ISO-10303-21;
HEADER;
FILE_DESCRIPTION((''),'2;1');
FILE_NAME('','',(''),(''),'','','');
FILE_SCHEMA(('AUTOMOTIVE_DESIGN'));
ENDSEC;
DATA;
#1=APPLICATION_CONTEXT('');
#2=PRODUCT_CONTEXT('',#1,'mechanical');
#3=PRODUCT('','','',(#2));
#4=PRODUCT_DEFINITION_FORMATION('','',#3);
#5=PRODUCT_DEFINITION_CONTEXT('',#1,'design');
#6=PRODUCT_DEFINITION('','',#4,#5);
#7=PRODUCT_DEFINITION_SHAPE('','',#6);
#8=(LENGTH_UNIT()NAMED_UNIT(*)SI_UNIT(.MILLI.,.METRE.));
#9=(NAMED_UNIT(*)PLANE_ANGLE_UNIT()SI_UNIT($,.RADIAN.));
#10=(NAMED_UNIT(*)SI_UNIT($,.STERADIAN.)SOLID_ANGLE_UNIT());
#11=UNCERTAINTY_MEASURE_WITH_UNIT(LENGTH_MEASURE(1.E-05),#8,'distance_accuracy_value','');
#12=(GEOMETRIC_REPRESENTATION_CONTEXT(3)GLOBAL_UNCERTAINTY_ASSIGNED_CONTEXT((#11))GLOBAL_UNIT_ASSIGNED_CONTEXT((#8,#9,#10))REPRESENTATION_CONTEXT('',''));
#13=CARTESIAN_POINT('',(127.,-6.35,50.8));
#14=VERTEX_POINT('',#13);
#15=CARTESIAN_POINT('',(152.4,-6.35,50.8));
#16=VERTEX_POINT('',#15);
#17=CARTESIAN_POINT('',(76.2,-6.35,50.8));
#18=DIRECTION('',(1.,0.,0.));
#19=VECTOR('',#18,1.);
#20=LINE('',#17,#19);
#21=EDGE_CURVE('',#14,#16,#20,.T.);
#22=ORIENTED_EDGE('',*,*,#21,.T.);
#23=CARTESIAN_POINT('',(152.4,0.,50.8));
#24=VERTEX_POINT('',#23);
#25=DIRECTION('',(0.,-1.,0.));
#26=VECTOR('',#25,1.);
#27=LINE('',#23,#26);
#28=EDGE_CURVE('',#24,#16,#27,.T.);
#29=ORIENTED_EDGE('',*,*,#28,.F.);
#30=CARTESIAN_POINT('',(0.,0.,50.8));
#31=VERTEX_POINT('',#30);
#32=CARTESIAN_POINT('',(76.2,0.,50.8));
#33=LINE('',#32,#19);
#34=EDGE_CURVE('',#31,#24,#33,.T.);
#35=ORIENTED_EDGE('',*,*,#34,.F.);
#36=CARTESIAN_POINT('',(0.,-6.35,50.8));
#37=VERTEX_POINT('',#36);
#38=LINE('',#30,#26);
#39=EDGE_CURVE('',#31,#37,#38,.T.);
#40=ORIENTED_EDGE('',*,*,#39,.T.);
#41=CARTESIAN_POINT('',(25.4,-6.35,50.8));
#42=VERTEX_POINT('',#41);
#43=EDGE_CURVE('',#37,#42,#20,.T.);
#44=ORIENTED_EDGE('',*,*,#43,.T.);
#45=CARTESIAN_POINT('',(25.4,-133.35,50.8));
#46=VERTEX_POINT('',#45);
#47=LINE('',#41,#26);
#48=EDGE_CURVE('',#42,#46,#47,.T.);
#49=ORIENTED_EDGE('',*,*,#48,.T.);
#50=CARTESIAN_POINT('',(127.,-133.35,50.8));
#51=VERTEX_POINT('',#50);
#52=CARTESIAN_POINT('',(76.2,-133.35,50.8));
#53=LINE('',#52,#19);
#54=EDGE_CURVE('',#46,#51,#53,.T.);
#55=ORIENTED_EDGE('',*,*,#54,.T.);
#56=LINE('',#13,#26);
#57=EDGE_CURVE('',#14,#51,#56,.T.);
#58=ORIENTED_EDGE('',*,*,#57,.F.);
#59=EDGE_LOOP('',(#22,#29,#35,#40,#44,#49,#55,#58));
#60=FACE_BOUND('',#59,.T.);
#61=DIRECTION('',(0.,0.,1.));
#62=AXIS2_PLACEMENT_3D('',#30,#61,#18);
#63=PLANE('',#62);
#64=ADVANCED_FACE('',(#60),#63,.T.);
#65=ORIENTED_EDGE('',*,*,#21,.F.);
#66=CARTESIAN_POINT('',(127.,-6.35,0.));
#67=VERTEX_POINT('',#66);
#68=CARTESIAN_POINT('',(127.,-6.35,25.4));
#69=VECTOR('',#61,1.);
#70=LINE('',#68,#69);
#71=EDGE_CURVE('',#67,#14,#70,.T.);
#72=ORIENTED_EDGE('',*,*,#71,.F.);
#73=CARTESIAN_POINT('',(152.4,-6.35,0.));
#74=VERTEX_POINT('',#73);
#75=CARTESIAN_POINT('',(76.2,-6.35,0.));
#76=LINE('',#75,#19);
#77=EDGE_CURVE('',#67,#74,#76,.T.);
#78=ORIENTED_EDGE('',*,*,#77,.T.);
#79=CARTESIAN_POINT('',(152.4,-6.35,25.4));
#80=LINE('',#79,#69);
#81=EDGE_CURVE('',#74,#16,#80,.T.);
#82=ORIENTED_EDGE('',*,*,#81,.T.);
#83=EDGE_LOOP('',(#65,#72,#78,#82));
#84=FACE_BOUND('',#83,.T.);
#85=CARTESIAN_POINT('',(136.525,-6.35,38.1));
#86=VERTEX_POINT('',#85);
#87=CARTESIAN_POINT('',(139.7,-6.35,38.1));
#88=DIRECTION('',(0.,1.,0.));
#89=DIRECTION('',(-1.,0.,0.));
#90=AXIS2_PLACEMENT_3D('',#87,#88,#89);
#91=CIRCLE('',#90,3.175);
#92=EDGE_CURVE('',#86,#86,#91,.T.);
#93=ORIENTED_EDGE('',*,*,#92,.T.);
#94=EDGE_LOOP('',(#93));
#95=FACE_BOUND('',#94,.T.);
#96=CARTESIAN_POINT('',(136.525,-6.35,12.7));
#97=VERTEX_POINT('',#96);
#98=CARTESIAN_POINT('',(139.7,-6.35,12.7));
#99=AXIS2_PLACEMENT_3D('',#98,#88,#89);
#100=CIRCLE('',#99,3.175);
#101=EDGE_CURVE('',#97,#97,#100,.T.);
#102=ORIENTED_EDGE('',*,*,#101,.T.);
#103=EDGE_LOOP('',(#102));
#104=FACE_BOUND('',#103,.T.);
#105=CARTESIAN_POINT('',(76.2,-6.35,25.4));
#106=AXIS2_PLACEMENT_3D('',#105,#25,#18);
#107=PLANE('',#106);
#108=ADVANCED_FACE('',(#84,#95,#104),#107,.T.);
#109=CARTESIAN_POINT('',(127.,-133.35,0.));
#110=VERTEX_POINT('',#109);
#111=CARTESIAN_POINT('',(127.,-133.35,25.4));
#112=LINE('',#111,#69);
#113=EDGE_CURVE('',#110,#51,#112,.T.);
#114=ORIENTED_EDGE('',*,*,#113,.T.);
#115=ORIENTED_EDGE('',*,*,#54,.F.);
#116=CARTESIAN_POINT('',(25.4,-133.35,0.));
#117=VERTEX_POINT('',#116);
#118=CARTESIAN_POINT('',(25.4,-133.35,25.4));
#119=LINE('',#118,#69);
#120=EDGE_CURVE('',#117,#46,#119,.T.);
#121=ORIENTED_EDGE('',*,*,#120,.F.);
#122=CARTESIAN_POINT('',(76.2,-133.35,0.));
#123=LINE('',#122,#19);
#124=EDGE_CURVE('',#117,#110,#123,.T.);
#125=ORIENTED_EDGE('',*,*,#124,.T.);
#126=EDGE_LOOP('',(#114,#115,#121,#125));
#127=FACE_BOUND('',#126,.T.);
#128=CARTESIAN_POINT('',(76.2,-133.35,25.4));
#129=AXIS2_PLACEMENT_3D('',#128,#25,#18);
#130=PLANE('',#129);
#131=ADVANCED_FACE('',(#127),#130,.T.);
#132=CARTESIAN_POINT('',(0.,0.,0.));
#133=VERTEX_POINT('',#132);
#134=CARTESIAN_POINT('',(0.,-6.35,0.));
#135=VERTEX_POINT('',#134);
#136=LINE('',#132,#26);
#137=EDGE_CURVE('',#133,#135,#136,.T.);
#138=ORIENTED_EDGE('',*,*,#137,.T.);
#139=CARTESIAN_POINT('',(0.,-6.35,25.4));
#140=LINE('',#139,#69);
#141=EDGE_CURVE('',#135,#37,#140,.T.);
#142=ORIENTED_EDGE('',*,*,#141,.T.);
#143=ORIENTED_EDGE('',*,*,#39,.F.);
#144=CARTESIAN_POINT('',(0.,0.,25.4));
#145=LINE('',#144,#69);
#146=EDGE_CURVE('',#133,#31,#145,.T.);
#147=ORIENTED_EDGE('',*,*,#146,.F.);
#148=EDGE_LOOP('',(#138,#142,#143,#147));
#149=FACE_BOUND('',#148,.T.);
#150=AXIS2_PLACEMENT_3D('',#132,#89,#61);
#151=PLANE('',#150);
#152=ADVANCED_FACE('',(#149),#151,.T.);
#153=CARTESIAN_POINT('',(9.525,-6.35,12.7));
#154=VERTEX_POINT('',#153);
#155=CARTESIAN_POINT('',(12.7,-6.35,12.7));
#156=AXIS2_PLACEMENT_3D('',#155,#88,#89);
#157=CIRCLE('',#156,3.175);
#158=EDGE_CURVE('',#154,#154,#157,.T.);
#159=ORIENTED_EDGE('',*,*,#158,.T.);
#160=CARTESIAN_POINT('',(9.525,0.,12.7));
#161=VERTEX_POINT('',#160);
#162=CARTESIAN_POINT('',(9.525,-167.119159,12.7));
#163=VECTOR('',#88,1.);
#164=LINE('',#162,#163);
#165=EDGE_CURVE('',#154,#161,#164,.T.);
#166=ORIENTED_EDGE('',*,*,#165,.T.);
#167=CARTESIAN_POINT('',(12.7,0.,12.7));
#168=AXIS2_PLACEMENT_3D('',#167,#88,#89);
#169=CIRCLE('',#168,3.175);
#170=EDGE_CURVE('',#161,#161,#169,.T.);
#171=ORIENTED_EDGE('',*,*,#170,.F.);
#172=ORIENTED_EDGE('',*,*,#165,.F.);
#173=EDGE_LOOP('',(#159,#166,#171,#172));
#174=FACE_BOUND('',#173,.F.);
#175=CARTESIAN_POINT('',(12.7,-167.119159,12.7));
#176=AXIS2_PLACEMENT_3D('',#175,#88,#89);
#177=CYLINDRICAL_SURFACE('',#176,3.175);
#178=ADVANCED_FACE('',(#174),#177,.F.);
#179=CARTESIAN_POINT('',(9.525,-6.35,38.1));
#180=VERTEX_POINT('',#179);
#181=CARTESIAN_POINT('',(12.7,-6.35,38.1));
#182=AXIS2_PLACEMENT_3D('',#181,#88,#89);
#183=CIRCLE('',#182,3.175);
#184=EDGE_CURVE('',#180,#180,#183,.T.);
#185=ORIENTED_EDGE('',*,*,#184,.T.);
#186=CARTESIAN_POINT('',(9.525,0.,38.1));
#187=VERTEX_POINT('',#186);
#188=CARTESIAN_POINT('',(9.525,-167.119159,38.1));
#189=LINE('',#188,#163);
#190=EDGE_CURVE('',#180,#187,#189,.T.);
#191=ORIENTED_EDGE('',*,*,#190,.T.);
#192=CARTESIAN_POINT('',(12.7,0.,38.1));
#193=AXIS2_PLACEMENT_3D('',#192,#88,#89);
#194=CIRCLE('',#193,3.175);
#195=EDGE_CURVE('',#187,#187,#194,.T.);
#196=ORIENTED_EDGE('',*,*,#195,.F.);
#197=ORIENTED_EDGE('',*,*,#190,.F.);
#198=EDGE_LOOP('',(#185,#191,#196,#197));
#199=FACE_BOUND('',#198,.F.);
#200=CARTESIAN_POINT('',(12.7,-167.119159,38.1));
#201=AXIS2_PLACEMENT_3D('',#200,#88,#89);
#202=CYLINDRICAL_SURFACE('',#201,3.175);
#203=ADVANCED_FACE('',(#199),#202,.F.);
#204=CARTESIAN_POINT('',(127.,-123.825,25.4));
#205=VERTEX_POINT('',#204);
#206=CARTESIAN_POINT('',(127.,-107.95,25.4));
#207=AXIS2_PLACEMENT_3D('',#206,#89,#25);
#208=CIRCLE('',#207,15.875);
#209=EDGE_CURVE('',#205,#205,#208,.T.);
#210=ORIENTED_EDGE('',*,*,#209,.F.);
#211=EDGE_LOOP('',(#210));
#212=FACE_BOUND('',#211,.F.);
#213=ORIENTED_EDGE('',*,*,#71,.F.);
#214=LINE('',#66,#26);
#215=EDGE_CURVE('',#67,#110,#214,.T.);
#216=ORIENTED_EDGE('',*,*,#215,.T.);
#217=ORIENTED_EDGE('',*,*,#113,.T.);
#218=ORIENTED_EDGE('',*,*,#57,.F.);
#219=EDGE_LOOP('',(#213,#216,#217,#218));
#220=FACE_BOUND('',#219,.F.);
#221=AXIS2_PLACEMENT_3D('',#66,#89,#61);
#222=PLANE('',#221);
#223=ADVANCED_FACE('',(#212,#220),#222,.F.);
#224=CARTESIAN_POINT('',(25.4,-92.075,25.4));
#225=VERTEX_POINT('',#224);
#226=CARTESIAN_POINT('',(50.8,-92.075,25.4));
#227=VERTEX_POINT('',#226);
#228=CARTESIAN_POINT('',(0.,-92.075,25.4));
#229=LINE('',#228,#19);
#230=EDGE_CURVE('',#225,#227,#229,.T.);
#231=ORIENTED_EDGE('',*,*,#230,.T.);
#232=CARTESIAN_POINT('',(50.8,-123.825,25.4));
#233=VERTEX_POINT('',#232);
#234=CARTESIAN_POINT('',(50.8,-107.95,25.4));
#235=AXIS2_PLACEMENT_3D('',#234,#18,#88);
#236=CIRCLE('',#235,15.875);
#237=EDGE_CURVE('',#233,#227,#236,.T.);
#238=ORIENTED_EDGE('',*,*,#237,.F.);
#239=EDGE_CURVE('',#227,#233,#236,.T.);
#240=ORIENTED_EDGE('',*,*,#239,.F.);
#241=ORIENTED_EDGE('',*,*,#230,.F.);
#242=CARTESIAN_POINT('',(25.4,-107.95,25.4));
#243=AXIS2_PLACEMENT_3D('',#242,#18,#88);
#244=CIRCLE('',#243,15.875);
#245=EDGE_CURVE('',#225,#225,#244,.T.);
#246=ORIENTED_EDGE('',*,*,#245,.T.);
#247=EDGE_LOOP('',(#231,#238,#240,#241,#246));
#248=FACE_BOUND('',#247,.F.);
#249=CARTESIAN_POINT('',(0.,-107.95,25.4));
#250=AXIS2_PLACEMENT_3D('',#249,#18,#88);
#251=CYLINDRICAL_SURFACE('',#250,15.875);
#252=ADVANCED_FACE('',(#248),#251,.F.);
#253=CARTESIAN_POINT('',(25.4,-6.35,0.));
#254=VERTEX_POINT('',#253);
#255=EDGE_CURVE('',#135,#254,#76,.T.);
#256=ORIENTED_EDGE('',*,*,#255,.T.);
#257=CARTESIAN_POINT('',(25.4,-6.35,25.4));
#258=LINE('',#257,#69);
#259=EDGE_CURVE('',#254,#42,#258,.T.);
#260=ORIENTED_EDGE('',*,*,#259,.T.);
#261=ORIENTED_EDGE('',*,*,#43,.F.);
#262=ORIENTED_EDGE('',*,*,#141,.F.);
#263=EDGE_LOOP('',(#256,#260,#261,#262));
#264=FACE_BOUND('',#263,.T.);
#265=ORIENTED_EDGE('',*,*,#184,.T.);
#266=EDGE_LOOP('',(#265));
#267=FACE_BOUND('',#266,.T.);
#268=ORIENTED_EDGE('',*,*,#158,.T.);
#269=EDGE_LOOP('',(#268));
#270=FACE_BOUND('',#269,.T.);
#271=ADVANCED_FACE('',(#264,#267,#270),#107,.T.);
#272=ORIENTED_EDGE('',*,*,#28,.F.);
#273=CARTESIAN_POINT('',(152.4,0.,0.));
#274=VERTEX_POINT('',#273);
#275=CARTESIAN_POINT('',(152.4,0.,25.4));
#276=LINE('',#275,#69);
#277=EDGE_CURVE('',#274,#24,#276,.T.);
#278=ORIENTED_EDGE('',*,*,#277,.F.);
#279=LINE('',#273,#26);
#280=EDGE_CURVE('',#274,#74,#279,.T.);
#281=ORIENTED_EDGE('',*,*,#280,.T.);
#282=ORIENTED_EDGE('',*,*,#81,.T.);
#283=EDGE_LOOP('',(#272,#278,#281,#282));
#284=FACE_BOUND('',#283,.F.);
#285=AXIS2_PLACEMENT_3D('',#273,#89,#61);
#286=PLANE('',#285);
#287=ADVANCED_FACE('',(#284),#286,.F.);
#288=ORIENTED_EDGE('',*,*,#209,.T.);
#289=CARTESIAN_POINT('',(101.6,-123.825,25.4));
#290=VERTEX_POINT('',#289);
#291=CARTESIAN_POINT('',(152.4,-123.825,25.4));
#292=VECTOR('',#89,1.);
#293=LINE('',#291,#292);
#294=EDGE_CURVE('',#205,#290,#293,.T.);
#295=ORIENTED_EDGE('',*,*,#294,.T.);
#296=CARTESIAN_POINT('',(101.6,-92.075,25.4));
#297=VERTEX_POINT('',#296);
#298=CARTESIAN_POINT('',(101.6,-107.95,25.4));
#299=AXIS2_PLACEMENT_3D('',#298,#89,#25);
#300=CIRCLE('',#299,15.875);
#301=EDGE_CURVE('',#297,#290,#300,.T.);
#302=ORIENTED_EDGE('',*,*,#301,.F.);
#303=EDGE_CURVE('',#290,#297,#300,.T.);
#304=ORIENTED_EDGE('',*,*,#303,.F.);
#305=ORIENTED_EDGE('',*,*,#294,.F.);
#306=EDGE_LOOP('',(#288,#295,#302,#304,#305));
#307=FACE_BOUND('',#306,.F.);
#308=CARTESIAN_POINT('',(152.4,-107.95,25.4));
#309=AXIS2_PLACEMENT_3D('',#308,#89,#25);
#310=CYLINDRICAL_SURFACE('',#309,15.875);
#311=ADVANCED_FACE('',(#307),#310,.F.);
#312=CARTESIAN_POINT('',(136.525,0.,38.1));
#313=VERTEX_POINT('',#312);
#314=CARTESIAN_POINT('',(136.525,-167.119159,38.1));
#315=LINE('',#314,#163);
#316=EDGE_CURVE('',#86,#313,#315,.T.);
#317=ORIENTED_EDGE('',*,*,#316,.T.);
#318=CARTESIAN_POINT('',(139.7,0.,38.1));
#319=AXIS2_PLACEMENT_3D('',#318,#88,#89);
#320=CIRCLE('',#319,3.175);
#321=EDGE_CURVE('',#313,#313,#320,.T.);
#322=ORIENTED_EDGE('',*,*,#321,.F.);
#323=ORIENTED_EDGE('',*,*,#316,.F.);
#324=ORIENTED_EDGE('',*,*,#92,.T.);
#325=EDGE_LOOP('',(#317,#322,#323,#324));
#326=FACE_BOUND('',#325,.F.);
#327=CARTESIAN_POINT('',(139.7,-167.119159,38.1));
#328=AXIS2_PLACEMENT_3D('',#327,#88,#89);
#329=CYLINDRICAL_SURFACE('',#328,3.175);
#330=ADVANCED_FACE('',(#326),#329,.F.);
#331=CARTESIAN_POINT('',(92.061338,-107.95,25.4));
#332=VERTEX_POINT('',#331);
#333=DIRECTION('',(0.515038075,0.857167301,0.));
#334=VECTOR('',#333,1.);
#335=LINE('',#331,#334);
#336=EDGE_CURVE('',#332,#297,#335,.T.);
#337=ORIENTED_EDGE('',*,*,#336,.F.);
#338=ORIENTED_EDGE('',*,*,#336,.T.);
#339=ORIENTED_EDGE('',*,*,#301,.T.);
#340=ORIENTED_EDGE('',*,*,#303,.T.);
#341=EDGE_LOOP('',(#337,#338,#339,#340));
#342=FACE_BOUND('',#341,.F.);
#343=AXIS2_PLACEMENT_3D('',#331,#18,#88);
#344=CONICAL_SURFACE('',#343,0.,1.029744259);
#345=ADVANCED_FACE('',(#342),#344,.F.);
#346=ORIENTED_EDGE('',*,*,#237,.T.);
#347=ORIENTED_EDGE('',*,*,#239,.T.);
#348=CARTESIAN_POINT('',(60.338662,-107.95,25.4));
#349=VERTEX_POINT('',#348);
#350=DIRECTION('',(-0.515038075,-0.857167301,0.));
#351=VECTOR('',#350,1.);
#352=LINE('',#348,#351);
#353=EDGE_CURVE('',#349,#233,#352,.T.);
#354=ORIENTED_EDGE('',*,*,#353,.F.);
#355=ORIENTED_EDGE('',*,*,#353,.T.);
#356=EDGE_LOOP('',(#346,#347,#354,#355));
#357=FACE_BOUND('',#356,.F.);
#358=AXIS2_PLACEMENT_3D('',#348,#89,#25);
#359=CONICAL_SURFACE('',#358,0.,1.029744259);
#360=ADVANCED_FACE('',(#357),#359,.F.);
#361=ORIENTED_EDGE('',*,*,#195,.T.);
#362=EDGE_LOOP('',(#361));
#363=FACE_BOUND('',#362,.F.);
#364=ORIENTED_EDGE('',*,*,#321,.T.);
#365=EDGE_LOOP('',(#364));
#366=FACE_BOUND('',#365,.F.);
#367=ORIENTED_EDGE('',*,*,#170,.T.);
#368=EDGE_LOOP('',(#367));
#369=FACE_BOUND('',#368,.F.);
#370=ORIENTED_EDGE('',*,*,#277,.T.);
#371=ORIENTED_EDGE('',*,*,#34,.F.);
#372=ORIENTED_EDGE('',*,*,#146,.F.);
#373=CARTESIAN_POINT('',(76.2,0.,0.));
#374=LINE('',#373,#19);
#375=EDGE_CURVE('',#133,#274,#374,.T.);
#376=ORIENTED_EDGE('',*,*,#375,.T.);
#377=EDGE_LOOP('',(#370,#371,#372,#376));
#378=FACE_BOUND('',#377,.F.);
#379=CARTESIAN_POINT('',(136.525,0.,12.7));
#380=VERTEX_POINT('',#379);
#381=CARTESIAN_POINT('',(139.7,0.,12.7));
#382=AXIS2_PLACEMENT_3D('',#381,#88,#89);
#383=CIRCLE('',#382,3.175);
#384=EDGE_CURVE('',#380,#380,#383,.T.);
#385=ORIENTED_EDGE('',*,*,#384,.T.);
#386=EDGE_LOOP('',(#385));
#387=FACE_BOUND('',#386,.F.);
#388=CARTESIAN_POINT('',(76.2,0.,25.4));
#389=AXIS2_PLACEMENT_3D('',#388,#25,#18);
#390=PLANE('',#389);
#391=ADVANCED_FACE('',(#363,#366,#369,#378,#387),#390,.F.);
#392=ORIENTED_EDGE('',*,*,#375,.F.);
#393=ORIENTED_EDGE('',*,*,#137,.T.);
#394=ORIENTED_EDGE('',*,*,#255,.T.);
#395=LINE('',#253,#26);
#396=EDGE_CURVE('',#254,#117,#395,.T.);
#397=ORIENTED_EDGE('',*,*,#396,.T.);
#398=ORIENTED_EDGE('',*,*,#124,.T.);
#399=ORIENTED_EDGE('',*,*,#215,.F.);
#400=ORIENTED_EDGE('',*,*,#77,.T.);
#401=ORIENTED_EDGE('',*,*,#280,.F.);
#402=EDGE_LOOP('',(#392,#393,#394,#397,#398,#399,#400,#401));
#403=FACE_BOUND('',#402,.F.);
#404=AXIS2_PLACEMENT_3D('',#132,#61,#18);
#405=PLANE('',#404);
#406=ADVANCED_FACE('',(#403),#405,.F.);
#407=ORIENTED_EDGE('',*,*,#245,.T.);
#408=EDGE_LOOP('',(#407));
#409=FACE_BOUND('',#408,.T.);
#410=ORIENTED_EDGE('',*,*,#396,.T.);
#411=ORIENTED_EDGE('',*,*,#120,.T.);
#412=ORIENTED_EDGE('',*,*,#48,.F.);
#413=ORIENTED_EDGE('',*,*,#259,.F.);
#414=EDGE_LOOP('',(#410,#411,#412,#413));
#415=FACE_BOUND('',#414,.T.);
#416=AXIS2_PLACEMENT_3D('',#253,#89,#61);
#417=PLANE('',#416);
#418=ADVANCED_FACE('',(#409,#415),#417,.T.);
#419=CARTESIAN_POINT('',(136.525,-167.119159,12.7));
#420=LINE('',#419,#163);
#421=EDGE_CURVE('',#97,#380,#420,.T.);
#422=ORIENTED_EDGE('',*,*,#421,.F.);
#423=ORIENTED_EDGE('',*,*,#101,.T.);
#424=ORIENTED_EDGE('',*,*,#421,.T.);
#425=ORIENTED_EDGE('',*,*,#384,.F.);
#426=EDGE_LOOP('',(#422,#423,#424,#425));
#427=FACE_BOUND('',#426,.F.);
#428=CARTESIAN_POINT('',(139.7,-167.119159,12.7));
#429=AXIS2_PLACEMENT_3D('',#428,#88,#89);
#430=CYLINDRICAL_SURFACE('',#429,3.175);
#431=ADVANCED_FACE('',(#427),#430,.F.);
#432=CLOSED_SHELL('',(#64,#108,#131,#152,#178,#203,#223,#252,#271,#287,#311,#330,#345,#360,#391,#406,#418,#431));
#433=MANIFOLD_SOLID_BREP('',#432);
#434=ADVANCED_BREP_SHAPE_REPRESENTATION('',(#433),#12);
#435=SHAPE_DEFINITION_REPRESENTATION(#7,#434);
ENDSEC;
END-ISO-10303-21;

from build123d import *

# Parameters (mm, degrees)
F0_W     = 152.4
F0_H     = 50.8
F1_DEPTH = 6.35
F3_D     = 6.35
F4_W     = 101.6
F4_H     = 50.8
F5_DEPTH = 127
F7_D     = 31.75
F7_DEPTH = 25.4
F7_TIP   = 9.5386623271
F9_D     = 31.75
F9_DEPTH = 25.4
F9_TIP   = 9.5386623271


with BuildPart() as f1:
    # F0 (on Front) → F1 (new body)
    with BuildSketch(Plane.XZ):
        with Locations((76.2, 25.4)):
            Rectangle(F0_W, F0_H)
    extrude(amount=F1_DEPTH)

    # F3 (through all)
    with Locations(Plane.XZ.offset(6.35)):
        with Locations((12.7, 38.1), (12.7, 12.7), (139.7, 38.1), (139.7, 12.7)):
            Hole(F3_D / 2)

    # F4 (on face) → F5 (join)
    with BuildSketch(Plane.XZ.offset(6.35)):
        with Locations((76.2, 25.4)):
            Rectangle(F4_W, F4_H)
    extrude(amount=F5_DEPTH)

    # F7
    with Locations(Plane.YZ.offset(127)):
        with Locations((-107.95, 25.4)):
            Hole(F7_D / 2, depth=F7_DEPTH)
            with Locations((0, 0, -(F7_DEPTH + F7_TIP / 2))):  # 118° drill point
                Cone(0, F7_D / 2, F7_TIP, mode=Mode.SUBTRACT)

    # F9
    with Locations(Plane(origin=(25.4, 0, 0), x_dir=(0, -1, 0), z_dir=(-1, 0, 0))):
        with Locations((107.95, 25.4)):
            Hole(F9_D / 2, depth=F9_DEPTH)
            with Locations((0, 0, -(F9_DEPTH + F9_TIP / 2))):  # 118° drill point
                Cone(0, F9_D / 2, F9_TIP, mode=Mode.SUBTRACT)


solid = f1.part
